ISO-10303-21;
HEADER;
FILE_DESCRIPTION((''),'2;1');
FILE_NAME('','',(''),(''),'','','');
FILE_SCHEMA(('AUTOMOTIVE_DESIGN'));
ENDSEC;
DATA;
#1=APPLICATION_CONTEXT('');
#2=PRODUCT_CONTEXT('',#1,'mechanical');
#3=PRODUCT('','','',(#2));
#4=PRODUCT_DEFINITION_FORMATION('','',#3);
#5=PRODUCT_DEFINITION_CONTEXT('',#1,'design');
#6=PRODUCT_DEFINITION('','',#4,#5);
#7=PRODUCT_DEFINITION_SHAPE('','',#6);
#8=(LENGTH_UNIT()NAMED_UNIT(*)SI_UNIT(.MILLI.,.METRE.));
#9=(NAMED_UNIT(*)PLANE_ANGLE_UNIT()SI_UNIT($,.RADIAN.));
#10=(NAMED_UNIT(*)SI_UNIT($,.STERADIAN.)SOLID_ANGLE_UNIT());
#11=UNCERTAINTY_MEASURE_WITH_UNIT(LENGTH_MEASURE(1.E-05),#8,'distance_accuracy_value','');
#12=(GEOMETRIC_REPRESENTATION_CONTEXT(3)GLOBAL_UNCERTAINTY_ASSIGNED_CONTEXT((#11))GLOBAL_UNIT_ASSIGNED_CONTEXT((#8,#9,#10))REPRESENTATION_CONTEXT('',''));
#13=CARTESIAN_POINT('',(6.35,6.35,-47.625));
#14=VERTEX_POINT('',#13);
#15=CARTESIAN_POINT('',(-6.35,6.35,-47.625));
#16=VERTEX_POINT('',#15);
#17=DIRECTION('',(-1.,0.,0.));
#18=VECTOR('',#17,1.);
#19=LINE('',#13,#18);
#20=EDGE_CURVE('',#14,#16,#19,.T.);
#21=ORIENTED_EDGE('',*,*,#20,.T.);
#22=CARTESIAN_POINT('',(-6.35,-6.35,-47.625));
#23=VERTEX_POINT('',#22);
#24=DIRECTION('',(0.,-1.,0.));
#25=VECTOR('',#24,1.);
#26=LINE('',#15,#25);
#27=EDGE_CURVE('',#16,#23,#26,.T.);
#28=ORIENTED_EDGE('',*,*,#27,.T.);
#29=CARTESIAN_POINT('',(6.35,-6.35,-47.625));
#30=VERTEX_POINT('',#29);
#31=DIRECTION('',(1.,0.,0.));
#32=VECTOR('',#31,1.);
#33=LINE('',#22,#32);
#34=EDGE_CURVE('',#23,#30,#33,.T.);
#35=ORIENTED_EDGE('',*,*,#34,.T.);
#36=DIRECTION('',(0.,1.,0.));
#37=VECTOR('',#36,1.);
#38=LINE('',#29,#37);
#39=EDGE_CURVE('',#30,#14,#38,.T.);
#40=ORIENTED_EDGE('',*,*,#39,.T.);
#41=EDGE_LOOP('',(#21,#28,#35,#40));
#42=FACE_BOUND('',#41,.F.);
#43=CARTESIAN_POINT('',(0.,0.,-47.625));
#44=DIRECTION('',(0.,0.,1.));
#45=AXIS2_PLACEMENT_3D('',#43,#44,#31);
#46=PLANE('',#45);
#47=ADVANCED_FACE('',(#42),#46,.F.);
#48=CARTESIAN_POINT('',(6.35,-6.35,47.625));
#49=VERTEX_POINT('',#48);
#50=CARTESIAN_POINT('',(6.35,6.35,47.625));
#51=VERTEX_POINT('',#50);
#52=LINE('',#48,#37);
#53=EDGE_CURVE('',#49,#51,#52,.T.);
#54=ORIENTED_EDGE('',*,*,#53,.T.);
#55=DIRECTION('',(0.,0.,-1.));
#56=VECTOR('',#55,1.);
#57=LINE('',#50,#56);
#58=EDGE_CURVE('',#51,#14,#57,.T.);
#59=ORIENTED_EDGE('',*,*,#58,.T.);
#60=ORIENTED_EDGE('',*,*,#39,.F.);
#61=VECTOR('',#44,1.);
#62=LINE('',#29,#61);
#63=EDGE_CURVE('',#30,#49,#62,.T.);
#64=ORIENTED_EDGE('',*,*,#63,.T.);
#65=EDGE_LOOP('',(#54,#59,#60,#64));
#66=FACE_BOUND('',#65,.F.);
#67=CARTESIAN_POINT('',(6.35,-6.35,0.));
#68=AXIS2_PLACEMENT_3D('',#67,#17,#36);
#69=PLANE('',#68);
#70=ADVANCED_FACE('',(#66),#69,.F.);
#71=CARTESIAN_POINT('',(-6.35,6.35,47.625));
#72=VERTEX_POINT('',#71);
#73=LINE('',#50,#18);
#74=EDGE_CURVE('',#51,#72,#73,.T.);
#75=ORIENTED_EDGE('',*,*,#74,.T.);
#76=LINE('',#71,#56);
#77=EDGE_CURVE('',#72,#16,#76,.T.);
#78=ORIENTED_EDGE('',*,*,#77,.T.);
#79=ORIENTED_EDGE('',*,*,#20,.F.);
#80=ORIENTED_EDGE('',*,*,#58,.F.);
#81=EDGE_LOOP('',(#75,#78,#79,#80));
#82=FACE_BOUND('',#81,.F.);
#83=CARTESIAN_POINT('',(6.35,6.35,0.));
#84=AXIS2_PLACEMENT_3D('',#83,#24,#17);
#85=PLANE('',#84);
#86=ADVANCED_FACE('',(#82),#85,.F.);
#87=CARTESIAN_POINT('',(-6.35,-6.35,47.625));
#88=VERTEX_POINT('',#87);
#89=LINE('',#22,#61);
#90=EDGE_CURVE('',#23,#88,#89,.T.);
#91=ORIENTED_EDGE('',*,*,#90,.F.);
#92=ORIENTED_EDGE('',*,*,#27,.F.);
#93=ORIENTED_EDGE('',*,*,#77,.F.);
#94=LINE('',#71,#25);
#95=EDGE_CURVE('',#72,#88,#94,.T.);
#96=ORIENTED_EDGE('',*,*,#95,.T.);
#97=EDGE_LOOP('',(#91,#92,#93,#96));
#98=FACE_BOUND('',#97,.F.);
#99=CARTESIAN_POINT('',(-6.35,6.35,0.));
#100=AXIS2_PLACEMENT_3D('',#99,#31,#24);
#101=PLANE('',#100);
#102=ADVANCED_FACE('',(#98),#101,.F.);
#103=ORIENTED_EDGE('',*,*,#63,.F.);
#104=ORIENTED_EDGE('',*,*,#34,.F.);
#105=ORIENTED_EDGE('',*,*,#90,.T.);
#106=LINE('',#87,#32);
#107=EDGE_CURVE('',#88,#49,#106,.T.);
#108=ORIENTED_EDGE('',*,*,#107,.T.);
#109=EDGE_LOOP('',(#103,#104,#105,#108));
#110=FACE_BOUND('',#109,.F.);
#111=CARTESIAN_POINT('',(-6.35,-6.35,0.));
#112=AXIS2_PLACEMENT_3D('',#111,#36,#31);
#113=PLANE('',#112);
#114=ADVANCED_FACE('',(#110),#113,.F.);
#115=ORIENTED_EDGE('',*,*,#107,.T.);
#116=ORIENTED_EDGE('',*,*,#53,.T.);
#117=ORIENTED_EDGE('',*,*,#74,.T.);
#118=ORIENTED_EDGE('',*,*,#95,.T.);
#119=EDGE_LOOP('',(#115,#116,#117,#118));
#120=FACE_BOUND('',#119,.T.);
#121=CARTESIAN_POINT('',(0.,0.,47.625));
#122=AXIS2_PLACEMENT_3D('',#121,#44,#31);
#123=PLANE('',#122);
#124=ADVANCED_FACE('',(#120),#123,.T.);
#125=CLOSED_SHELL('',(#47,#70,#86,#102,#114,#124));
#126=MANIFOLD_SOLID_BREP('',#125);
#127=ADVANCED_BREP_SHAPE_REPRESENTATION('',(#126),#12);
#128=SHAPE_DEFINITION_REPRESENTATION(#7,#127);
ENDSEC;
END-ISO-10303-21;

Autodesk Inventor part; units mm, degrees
ref_plane "YZ Plane" through (0, 0, 0) normal (1, 0, 0) x (0, 1, 0)
ref_plane "XZ Plane" through (0, 0, 0) normal (0, 1, 0) x (-1, 0, 0)
ref_plane "XY Plane" through (0, 0, 0) normal (0, 0, 1) x (1, 0, 0)
sketch "Sketch1" plane through (0, 0, 0) normal (0, 0, 1) x (1, 0, 0)
  line L0 (-6.35, -6.35) -> (6.35, -6.35)
  line L1 (6.35, -6.35) -> (6.35, 6.35)
  line L2 (6.35, 6.35) -> (-6.35, 6.35)
  line L3 (-6.35, 6.35) -> (-6.35, -6.35)
  point P0 (0, 0)
  point P1 (6.35, 0)
  point P2 (0, -6.35)
  dimension "d0" = 12.7
  dimension "d1" = 12.7
extrude "Extrusion1" add sketch "Sketch1" along normal mid plane 95.25
properties part number "Front Spacer" material "Wood (Cherry)"
